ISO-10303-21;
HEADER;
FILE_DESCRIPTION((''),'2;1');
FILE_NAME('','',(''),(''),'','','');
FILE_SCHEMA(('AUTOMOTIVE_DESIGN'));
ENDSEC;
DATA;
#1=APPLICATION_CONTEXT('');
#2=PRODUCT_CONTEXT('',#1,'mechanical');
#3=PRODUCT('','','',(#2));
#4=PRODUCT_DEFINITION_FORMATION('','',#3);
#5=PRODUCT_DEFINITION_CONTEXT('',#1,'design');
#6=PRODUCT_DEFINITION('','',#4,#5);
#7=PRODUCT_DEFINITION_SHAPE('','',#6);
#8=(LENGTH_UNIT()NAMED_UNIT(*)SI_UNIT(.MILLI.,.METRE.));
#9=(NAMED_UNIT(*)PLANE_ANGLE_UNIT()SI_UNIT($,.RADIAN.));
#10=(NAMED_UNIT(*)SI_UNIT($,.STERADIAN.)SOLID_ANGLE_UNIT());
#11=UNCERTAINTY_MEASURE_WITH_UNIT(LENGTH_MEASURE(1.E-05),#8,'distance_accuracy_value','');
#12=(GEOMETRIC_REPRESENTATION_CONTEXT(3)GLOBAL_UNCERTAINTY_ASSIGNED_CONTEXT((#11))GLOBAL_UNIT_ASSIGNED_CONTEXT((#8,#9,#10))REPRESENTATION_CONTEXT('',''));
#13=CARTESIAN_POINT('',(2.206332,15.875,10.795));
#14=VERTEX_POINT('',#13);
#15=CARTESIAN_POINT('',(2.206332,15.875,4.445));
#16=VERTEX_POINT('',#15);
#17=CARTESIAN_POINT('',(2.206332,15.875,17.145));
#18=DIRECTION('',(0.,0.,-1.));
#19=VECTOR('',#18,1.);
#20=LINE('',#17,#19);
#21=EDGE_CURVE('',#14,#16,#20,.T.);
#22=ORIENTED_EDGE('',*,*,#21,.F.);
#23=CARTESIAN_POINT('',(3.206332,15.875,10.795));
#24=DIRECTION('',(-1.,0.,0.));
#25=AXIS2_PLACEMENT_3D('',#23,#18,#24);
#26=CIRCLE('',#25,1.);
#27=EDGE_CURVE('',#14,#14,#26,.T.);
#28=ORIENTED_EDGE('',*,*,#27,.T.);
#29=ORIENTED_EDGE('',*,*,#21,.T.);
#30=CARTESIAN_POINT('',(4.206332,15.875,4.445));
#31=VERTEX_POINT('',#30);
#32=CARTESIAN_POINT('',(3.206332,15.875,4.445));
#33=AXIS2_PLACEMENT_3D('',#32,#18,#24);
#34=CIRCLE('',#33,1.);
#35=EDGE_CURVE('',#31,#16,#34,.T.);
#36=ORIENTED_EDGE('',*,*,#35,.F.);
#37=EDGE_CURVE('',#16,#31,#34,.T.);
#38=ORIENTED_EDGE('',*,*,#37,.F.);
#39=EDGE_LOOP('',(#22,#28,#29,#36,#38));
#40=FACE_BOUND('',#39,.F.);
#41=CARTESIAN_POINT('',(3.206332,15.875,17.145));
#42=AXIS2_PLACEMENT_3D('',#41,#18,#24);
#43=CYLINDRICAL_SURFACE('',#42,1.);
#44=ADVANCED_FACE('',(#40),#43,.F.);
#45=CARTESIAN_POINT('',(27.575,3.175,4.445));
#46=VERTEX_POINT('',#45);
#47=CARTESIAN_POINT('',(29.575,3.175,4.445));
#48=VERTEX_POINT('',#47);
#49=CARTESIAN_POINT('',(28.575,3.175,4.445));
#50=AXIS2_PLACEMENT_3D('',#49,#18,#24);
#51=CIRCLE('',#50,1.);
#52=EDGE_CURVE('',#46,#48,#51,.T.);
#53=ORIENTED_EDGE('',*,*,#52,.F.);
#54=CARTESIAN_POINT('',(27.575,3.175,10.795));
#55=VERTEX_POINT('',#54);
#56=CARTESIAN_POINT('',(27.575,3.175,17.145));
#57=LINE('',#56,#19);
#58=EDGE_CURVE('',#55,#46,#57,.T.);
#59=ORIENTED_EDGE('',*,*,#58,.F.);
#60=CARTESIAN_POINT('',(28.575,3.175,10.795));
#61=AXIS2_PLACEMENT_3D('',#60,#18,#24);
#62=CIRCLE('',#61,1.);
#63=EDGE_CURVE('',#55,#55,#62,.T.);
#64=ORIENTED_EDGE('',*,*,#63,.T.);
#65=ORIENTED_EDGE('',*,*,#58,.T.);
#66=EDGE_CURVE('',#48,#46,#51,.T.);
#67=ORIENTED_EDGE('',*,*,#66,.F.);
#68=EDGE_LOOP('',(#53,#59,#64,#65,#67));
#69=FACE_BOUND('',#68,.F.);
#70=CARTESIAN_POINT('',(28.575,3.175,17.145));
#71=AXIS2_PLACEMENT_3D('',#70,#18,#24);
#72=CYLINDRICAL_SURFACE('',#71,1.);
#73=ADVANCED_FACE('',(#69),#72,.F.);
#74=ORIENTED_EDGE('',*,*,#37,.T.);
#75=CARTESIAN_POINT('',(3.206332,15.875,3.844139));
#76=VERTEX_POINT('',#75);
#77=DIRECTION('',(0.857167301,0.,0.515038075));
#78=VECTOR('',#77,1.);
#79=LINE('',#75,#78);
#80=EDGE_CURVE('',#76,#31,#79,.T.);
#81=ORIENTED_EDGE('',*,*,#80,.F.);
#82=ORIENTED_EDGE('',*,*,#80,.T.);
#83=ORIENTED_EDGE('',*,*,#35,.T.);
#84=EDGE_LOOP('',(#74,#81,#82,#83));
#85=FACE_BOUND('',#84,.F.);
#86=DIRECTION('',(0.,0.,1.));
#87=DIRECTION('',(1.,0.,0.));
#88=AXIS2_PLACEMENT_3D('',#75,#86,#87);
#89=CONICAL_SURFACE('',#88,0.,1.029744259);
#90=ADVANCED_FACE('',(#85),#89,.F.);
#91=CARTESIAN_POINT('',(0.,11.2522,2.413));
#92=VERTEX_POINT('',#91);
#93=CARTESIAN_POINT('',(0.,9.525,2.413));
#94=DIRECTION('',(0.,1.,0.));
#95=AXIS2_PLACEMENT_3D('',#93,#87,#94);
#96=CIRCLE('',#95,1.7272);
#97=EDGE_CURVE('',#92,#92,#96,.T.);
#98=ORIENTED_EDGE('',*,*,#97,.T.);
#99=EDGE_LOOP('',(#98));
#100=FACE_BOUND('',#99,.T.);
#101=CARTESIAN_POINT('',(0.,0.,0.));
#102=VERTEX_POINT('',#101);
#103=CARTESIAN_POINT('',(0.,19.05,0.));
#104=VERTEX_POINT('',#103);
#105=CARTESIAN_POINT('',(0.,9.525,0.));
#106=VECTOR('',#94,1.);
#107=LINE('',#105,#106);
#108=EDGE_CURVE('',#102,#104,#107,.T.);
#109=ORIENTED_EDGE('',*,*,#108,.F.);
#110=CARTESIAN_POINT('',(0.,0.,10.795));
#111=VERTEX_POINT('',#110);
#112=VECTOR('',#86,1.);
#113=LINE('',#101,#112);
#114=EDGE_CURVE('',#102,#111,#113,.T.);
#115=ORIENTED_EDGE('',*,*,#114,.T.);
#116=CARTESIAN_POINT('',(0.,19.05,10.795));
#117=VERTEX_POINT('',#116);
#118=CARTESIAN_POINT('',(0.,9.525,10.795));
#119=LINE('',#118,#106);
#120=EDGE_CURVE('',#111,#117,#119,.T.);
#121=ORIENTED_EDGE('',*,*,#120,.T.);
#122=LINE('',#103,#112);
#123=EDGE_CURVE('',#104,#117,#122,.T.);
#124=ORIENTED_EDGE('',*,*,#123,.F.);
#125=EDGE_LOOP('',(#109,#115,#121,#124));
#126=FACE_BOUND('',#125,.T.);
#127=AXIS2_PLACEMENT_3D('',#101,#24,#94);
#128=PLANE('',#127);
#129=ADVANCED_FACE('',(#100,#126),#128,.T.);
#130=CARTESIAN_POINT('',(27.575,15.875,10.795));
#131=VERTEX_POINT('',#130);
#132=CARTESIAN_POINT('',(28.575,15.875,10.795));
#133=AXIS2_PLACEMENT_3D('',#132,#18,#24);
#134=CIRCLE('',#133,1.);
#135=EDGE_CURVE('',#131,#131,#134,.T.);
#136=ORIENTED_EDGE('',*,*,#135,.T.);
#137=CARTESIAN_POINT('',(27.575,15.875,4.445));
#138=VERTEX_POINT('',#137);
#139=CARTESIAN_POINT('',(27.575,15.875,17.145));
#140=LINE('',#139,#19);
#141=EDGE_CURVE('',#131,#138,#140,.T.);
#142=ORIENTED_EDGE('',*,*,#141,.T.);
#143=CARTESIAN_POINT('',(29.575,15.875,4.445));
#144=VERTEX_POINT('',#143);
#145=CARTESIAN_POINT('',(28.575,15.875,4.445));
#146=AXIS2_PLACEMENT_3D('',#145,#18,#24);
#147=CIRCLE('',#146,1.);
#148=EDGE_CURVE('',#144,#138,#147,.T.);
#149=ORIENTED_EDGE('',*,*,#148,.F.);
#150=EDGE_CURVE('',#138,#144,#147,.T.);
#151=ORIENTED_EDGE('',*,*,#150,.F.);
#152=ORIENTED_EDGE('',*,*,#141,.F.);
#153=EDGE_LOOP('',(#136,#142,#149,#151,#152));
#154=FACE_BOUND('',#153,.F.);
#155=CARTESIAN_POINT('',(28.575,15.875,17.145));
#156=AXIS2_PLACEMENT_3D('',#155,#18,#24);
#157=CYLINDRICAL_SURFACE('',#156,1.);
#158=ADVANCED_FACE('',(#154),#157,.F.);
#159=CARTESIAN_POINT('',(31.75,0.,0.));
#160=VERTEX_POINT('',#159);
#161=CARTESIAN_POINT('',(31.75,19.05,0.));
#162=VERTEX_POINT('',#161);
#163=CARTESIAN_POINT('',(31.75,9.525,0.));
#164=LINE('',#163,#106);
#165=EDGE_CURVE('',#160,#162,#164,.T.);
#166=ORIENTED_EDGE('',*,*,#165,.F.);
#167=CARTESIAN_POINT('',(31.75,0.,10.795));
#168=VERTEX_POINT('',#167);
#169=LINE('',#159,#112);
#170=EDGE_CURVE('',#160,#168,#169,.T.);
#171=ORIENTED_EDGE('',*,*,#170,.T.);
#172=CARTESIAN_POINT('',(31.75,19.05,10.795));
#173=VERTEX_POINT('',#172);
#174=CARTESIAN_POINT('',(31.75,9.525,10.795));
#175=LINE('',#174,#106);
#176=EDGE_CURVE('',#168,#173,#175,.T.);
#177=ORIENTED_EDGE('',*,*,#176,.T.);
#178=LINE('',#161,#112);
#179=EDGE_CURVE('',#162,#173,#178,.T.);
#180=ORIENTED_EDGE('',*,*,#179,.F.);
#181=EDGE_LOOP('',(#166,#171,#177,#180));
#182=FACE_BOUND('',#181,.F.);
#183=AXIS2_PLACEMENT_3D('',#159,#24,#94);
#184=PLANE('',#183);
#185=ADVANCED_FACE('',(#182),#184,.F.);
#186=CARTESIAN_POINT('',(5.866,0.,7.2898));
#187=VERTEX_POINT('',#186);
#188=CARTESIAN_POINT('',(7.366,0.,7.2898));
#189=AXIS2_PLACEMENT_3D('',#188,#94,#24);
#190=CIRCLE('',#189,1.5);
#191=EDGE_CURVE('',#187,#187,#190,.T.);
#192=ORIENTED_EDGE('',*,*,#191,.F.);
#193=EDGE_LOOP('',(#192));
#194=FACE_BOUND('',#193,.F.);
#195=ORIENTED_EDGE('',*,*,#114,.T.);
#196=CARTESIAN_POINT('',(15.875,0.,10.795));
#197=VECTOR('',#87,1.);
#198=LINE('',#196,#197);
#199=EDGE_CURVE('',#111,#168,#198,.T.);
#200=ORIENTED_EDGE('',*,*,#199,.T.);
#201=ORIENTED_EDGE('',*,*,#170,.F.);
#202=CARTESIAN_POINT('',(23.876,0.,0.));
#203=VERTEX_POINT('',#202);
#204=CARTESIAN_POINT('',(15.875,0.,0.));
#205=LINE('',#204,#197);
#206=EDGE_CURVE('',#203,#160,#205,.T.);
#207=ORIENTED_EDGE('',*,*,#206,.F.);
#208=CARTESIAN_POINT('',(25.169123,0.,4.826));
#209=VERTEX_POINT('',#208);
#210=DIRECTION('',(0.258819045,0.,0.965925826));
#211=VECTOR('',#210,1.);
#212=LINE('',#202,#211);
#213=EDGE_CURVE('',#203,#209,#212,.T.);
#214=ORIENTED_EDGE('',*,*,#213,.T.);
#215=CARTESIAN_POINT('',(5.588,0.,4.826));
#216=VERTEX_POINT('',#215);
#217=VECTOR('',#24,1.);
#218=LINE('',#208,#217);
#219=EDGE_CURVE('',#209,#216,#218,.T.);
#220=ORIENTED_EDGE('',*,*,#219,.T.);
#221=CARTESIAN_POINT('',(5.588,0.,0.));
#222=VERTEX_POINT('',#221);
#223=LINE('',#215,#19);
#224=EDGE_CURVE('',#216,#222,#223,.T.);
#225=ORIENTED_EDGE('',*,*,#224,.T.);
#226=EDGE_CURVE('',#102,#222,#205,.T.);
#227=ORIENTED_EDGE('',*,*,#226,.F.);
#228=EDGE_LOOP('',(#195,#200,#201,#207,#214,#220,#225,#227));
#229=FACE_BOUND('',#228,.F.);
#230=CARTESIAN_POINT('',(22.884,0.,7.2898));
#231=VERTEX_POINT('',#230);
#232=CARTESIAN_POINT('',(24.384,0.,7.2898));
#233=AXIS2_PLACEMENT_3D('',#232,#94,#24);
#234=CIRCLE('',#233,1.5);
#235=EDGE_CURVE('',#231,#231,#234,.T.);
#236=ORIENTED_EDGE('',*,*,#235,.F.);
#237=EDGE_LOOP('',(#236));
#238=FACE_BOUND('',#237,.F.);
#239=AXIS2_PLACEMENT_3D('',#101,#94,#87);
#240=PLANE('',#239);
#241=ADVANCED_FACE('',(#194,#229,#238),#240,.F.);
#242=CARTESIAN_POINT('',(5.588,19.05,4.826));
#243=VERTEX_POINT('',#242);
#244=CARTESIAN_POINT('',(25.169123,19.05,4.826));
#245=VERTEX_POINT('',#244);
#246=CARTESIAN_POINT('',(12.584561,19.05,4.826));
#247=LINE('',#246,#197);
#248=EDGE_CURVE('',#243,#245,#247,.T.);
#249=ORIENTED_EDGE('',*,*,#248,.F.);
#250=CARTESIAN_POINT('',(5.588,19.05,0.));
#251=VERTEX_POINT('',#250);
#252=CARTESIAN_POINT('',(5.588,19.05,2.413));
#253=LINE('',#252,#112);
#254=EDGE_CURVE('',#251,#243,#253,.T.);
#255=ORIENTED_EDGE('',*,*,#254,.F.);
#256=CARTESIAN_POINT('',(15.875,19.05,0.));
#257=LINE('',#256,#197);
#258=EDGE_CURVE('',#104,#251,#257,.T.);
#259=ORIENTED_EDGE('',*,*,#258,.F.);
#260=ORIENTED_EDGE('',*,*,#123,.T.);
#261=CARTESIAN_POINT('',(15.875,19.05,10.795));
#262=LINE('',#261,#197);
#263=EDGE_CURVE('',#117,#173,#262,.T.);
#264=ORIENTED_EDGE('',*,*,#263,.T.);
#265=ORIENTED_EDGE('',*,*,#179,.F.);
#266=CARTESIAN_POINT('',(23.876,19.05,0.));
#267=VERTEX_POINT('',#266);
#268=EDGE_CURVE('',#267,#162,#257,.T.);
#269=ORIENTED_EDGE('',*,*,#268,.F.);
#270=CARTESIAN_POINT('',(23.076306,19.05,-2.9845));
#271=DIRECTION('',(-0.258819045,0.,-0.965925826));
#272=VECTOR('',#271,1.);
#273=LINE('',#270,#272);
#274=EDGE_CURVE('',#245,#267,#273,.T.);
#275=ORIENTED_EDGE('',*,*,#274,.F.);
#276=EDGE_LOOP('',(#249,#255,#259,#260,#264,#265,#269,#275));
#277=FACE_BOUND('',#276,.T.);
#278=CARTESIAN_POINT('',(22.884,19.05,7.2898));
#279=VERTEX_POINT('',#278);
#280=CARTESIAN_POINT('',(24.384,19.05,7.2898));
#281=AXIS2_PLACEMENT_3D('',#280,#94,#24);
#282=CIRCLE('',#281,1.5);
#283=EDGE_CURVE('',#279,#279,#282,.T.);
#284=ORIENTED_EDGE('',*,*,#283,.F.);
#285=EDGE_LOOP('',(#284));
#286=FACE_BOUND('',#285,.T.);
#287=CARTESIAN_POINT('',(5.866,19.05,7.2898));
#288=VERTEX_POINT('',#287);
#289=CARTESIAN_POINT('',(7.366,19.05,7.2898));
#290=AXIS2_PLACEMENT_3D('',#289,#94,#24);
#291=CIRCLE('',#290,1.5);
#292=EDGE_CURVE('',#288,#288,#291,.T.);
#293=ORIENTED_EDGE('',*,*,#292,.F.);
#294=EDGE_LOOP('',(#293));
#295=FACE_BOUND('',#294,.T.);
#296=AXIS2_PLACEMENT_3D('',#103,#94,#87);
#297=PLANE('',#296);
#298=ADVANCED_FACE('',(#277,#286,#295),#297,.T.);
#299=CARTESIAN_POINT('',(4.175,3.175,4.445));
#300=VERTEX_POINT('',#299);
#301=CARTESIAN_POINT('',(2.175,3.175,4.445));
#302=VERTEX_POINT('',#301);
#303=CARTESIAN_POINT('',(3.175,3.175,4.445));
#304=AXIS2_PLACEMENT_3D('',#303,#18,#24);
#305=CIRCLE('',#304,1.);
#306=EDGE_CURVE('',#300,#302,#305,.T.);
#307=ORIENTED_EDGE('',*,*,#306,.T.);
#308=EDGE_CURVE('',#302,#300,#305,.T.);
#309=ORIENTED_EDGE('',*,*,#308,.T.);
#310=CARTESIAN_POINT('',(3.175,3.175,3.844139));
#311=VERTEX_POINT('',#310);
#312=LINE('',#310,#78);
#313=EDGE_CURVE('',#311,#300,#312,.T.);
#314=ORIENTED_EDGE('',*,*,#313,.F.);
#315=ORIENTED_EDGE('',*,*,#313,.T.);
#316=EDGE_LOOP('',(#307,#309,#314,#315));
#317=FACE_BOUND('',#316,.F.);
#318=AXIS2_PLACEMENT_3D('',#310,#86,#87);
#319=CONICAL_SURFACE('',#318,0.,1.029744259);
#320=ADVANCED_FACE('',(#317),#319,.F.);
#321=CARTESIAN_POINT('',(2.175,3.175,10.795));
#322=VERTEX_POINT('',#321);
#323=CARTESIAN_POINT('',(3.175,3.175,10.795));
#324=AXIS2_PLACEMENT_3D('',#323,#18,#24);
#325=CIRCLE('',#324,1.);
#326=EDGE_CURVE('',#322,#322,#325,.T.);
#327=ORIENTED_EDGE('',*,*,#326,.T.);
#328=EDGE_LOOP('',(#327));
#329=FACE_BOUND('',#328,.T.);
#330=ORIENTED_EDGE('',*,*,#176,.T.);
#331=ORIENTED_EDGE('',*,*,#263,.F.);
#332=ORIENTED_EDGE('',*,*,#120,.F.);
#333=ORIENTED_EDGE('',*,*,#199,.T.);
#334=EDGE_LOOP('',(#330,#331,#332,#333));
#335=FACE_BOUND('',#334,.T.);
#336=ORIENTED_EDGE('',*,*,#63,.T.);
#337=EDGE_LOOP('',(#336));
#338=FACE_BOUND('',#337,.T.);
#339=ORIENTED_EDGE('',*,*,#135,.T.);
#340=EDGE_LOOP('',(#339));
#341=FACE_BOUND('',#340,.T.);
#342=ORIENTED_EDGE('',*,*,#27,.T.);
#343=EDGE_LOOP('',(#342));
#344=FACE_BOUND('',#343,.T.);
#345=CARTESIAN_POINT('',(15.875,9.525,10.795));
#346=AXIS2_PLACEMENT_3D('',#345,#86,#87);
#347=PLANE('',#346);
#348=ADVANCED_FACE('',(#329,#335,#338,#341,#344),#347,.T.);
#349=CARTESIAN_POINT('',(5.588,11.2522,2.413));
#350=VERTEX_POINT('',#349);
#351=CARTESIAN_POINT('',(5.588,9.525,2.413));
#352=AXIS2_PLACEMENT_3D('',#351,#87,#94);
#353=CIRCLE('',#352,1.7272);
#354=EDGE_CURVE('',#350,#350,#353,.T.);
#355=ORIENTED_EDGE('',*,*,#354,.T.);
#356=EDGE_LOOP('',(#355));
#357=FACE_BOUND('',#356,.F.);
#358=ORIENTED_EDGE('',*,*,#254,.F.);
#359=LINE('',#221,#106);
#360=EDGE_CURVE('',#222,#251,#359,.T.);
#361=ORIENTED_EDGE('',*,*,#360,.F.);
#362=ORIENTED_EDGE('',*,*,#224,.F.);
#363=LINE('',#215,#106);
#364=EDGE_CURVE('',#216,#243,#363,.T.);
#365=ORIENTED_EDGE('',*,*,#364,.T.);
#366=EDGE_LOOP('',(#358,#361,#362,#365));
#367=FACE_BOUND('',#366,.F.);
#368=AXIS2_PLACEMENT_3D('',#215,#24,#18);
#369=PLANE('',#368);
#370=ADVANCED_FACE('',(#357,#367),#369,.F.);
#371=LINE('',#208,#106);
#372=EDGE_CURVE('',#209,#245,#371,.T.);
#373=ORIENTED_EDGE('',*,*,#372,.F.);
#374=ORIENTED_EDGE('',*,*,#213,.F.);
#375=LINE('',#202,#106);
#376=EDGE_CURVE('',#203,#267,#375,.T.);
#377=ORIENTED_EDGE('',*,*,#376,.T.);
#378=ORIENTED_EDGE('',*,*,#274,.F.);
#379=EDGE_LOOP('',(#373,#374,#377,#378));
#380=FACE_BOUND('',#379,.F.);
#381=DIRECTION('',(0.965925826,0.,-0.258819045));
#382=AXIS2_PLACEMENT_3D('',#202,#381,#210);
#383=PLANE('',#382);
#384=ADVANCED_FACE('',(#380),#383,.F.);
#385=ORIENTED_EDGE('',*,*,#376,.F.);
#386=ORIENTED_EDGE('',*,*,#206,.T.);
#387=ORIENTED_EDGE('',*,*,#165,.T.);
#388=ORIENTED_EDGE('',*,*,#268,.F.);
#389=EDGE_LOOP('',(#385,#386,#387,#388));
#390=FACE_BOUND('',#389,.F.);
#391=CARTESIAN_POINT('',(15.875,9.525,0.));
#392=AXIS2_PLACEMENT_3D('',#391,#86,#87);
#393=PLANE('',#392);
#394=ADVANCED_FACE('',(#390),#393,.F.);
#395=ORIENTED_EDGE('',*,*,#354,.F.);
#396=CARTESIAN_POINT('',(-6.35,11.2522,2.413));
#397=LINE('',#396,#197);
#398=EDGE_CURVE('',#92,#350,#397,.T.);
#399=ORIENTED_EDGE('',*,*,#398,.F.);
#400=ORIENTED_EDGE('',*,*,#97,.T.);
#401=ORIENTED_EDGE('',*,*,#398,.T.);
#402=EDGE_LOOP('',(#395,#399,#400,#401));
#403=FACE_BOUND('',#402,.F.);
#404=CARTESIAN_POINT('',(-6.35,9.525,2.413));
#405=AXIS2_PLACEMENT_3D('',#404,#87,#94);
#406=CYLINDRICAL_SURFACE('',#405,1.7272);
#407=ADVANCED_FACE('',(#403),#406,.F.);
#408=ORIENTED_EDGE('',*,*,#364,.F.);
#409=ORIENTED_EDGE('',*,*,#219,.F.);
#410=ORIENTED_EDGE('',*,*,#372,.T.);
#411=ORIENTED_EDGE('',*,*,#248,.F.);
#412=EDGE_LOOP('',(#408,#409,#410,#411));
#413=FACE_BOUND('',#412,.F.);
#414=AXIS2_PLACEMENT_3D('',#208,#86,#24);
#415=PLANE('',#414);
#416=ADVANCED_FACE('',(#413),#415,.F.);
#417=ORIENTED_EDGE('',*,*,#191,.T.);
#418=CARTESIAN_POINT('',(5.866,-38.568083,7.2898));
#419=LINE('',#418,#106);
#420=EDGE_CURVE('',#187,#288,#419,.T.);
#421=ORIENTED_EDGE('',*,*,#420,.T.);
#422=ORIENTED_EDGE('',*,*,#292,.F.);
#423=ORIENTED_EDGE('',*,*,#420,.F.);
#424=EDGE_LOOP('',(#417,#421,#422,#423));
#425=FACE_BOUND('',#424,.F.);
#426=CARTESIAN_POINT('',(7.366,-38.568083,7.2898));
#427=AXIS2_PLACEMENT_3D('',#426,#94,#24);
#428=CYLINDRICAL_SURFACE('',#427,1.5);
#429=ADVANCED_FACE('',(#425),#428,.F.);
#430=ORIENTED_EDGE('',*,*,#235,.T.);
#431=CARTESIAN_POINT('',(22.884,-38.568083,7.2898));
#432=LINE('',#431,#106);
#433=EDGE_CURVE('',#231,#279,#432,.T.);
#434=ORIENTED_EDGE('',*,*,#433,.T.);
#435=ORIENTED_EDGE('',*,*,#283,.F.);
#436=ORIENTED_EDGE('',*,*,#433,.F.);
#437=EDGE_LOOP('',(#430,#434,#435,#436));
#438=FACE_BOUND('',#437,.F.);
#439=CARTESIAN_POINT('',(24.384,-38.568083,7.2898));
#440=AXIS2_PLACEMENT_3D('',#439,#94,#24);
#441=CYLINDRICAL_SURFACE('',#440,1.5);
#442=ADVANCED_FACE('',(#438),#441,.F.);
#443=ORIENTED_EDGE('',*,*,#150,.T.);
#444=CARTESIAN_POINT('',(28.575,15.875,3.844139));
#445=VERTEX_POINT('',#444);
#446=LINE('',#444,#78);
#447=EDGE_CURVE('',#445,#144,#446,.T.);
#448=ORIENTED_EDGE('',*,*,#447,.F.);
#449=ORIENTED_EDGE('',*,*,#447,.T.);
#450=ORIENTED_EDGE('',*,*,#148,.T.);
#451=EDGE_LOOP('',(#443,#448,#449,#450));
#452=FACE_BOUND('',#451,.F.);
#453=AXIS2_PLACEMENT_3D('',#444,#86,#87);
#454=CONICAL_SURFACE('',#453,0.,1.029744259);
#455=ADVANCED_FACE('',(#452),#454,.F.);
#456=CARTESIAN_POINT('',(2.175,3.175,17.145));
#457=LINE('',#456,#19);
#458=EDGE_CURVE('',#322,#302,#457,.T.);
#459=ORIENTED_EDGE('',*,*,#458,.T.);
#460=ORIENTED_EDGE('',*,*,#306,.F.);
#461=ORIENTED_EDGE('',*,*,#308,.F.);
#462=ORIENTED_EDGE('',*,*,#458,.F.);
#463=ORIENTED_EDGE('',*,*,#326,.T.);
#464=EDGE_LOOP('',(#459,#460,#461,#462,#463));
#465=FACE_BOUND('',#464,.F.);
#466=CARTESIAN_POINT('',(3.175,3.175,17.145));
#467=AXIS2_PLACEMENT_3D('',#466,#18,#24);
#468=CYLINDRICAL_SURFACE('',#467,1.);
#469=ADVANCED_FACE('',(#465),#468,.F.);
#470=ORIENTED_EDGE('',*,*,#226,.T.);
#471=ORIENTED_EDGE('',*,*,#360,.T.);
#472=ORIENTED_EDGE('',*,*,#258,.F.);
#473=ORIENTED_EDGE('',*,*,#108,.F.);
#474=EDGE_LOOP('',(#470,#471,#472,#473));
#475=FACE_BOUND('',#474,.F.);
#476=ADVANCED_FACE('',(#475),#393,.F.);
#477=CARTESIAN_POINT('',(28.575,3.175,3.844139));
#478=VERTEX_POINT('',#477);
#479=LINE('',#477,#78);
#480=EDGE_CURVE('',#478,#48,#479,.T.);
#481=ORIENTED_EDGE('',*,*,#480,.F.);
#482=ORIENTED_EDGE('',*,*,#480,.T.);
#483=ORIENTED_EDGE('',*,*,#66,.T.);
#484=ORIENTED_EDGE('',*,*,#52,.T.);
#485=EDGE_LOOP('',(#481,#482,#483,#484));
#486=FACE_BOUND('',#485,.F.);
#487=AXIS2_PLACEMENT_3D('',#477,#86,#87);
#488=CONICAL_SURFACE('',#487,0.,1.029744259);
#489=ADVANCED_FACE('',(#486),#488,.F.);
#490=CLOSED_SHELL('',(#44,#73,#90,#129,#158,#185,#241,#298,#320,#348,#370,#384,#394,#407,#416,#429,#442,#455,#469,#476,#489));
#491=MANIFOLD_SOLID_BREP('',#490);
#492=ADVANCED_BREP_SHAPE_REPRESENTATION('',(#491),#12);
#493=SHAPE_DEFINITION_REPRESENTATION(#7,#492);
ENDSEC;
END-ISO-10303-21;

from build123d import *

# Parameters (mm, degrees)
F0_W     = 31.75
F0_H     = 19.05
F1_DEPTH = 10.795
F3_DEPTH = 25.4
F5_D     = 3
F7_D     = 2
F7_DEPTH = 6.35
F7_TIP   = 0.600860619
F9_D     = 3.4544
F9_DEPTH = 6.35
F9_TIP   = 1.0378064612


with BuildPart() as f1:
    # F0 (on Top) → F1 (new body)
    with BuildSketch(Plane.XY):
        with Locations((15.875, 9.525)):
            Rectangle(F0_W, F0_H)
    extrude(amount=F1_DEPTH)

    # F2 (on face) → F3 (cut)
    with BuildSketch(Plane.XZ):
        Polygon((23.876, 0), (25.1691228027, 4.826), (5.588, 4.826), (5.588, 0), align=None)
    extrude(amount=-F3_DEPTH, mode=Mode.SUBTRACT)

    # F5 (through all)
    with Locations(Plane.XZ):
        with Locations((7.366, 7.2898), (24.384, 7.2898)):
            Hole(F5_D / 2)

    # F7
    with Locations(Plane.XY.offset(10.795)):
        with Locations((3.2063322142, 15.875), (3.175, 3.175), (28.575, 15.875), (28.575, 3.175)):
            Hole(F7_D / 2, depth=F7_DEPTH)
            with Locations((0, 0, -(F7_DEPTH + F7_TIP / 2))):  # 118° drill point
                Cone(0, F7_D / 2, F7_TIP, mode=Mode.SUBTRACT)

    # F9
    with Locations(Plane(origin=(0, 0, 0), x_dir=(0, -1, 0), z_dir=(-1, 0, 0))):
        with Locations((-9.525, 2.413)):
            Hole(F9_D / 2, depth=F9_DEPTH)
            with Locations((0, 0, -(F9_DEPTH + F9_TIP / 2))):  # 118° drill point
                Cone(0, F9_D / 2, F9_TIP, mode=Mode.SUBTRACT)


solid = f1.part
